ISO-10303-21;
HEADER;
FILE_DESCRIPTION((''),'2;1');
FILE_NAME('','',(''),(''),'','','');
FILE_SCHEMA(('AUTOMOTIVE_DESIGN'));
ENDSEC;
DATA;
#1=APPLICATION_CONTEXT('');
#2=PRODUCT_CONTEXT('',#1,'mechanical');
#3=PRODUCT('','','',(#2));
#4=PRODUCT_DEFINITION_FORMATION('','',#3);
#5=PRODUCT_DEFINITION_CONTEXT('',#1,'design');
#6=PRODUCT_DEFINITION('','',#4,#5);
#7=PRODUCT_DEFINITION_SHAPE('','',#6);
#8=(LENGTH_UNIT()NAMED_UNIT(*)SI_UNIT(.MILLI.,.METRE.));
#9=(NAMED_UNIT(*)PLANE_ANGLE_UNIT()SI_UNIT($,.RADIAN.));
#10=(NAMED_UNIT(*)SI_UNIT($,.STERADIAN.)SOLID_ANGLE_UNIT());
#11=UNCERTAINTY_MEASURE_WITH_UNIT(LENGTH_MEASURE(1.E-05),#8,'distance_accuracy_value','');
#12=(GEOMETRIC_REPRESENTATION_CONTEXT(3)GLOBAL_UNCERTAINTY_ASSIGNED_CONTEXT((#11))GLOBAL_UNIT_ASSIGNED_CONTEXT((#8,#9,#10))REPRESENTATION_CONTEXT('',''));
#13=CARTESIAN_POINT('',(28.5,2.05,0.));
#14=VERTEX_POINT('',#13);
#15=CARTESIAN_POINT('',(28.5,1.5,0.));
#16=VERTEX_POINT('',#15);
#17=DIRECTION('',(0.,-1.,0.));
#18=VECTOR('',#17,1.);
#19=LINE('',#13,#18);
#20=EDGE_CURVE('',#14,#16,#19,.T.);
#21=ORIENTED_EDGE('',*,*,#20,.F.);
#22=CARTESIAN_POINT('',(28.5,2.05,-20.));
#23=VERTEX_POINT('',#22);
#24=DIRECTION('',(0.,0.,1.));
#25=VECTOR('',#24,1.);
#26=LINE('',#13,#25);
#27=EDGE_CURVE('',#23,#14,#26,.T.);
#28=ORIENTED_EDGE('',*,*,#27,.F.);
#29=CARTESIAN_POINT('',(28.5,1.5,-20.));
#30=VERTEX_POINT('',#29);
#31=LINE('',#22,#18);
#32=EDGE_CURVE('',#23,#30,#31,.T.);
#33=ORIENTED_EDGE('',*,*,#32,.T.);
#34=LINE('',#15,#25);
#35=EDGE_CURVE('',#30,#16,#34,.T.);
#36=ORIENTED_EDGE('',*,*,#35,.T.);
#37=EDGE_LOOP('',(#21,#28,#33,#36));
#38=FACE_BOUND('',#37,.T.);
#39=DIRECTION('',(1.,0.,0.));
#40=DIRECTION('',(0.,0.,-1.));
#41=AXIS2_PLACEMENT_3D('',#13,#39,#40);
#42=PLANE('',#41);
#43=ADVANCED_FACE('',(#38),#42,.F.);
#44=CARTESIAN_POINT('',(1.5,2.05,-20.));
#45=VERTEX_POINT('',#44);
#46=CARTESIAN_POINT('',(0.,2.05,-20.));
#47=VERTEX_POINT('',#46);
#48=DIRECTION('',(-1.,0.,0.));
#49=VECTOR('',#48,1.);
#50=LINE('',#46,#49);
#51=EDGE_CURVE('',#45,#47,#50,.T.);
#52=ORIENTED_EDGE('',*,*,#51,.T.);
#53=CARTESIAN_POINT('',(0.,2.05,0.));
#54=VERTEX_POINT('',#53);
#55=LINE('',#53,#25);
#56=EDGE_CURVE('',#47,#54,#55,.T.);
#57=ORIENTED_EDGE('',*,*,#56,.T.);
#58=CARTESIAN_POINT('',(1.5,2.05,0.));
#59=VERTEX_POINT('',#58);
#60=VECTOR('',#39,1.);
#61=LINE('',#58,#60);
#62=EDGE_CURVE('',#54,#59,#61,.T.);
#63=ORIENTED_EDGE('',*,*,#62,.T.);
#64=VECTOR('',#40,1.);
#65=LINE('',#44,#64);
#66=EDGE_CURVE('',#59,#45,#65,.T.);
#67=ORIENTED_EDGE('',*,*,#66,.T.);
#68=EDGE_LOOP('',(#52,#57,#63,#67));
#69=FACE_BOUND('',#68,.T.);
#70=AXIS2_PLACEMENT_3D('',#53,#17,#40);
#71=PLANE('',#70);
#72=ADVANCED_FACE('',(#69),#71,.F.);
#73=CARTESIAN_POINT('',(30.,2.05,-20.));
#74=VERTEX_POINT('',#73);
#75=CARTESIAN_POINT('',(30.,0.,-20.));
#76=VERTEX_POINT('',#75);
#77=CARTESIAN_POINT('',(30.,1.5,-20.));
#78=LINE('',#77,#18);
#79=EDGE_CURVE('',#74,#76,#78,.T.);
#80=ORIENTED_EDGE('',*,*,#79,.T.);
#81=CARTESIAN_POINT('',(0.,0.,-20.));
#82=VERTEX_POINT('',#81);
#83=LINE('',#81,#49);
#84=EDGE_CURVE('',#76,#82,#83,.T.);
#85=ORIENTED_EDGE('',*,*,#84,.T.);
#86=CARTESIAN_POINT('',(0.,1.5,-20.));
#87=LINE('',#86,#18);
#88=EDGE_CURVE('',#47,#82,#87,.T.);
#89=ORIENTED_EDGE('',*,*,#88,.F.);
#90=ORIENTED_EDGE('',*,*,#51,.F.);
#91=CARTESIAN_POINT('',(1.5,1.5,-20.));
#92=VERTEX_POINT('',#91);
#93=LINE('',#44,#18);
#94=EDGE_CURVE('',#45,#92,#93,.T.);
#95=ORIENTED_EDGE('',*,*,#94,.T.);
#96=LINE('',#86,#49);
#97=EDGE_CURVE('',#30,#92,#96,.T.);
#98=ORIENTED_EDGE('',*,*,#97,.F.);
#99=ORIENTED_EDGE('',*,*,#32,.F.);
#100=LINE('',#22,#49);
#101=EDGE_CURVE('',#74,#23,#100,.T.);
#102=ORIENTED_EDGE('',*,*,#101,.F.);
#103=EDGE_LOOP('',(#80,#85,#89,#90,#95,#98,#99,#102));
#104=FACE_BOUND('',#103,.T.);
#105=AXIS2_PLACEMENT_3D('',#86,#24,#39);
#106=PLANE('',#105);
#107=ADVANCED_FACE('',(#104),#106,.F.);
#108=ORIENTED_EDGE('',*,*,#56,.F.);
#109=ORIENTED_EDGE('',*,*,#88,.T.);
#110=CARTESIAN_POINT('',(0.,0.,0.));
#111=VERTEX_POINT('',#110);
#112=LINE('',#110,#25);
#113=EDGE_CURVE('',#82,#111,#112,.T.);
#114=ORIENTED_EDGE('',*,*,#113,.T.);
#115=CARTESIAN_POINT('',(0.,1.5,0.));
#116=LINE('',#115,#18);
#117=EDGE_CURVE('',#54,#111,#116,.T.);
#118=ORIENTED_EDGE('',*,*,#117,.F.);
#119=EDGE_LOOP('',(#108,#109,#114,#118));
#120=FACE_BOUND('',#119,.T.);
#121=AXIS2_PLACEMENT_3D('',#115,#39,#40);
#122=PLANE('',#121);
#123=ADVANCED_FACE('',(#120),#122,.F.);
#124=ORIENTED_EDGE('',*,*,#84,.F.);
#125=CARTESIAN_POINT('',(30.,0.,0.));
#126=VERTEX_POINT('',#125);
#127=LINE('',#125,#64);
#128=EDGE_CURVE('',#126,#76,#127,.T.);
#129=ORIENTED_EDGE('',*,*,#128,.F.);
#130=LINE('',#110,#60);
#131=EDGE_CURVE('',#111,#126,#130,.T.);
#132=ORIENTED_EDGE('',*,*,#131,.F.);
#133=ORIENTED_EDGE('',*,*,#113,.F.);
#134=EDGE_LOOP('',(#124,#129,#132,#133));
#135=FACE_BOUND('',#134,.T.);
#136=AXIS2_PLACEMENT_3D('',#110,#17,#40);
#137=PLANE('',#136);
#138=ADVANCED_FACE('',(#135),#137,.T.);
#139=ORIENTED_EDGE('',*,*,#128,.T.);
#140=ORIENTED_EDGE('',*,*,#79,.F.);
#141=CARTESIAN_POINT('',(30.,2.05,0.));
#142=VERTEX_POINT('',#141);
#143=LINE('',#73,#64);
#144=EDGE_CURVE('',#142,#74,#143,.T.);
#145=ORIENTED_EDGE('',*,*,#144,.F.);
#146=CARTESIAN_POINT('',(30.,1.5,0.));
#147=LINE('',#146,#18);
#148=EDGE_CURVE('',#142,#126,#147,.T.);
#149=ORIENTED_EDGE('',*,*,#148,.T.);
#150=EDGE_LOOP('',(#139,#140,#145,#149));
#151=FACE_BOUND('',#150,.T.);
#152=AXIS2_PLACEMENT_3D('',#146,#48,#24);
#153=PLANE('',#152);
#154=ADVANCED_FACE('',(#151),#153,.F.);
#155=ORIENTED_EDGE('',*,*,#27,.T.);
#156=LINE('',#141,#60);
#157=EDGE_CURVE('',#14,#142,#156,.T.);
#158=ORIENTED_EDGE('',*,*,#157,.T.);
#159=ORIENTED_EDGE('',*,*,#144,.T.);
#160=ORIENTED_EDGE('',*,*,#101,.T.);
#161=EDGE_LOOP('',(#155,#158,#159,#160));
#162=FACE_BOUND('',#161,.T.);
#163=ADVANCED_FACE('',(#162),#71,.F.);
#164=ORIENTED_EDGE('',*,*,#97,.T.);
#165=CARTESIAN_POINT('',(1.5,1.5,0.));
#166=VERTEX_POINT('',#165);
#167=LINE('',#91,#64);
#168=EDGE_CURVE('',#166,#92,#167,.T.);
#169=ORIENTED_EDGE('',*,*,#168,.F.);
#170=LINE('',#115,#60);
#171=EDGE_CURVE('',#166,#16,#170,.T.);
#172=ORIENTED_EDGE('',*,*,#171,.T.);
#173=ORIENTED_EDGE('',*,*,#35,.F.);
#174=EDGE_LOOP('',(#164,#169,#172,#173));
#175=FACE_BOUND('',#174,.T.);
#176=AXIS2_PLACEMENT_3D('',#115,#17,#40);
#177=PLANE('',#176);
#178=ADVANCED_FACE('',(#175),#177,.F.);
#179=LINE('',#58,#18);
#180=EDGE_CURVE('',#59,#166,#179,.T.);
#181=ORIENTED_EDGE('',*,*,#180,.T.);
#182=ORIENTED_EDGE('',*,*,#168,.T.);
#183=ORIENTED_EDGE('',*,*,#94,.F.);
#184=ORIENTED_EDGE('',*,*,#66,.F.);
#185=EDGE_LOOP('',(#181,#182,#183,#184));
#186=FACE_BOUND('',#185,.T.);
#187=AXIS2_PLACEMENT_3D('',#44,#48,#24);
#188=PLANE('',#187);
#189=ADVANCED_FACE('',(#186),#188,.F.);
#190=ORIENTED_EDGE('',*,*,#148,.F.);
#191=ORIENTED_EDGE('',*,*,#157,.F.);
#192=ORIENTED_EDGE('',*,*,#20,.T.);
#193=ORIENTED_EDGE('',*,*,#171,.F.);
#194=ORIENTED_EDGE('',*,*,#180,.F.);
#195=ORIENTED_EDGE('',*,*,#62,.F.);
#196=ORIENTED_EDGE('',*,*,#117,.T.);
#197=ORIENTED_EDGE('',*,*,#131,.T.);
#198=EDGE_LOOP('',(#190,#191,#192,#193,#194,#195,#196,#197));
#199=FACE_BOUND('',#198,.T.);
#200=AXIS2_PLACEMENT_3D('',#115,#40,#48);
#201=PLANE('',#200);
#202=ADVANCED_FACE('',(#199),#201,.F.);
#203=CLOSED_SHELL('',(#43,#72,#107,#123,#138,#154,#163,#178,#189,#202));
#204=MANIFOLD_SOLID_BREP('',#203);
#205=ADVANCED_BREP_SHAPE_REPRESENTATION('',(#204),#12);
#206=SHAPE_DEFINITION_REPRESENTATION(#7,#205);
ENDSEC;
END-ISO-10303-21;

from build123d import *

# Parameters (mm, degrees)
SKETCH1_W           = 30
SKETCH1_H           = 20
BOSS_EXTRUDE1_DEPTH = 1.5
SKETCH2_W           = 1.5
SKETCH2_H           = 20
BOSS_EXTRUDE2_DEPTH = 0.55


with BuildPart() as part:
    # Sketch1 → Boss-Extrude1 (new body)
    with BuildSketch(Plane(origin=(0, 0, 0), x_dir=(1, 0, 0), z_dir=(0, 1, 0))):
        with Locations((15, 10)):
            Rectangle(SKETCH1_W, SKETCH1_H)
    extrude(amount=BOSS_EXTRUDE1_DEPTH)

    # Sketch2 → Boss-Extrude2 (add)
    with BuildSketch(Plane(origin=(0, 1.5, 0), x_dir=(1, 0, 0), z_dir=(0, 1, 0))):
        with Locations((0.75, 10)):
            Rectangle(SKETCH2_W, SKETCH2_H)
        with Locations((29.25, 10)):
            Rectangle(SKETCH2_W, SKETCH2_H)
    extrude(amount=BOSS_EXTRUDE2_DEPTH)


solid = part.part
